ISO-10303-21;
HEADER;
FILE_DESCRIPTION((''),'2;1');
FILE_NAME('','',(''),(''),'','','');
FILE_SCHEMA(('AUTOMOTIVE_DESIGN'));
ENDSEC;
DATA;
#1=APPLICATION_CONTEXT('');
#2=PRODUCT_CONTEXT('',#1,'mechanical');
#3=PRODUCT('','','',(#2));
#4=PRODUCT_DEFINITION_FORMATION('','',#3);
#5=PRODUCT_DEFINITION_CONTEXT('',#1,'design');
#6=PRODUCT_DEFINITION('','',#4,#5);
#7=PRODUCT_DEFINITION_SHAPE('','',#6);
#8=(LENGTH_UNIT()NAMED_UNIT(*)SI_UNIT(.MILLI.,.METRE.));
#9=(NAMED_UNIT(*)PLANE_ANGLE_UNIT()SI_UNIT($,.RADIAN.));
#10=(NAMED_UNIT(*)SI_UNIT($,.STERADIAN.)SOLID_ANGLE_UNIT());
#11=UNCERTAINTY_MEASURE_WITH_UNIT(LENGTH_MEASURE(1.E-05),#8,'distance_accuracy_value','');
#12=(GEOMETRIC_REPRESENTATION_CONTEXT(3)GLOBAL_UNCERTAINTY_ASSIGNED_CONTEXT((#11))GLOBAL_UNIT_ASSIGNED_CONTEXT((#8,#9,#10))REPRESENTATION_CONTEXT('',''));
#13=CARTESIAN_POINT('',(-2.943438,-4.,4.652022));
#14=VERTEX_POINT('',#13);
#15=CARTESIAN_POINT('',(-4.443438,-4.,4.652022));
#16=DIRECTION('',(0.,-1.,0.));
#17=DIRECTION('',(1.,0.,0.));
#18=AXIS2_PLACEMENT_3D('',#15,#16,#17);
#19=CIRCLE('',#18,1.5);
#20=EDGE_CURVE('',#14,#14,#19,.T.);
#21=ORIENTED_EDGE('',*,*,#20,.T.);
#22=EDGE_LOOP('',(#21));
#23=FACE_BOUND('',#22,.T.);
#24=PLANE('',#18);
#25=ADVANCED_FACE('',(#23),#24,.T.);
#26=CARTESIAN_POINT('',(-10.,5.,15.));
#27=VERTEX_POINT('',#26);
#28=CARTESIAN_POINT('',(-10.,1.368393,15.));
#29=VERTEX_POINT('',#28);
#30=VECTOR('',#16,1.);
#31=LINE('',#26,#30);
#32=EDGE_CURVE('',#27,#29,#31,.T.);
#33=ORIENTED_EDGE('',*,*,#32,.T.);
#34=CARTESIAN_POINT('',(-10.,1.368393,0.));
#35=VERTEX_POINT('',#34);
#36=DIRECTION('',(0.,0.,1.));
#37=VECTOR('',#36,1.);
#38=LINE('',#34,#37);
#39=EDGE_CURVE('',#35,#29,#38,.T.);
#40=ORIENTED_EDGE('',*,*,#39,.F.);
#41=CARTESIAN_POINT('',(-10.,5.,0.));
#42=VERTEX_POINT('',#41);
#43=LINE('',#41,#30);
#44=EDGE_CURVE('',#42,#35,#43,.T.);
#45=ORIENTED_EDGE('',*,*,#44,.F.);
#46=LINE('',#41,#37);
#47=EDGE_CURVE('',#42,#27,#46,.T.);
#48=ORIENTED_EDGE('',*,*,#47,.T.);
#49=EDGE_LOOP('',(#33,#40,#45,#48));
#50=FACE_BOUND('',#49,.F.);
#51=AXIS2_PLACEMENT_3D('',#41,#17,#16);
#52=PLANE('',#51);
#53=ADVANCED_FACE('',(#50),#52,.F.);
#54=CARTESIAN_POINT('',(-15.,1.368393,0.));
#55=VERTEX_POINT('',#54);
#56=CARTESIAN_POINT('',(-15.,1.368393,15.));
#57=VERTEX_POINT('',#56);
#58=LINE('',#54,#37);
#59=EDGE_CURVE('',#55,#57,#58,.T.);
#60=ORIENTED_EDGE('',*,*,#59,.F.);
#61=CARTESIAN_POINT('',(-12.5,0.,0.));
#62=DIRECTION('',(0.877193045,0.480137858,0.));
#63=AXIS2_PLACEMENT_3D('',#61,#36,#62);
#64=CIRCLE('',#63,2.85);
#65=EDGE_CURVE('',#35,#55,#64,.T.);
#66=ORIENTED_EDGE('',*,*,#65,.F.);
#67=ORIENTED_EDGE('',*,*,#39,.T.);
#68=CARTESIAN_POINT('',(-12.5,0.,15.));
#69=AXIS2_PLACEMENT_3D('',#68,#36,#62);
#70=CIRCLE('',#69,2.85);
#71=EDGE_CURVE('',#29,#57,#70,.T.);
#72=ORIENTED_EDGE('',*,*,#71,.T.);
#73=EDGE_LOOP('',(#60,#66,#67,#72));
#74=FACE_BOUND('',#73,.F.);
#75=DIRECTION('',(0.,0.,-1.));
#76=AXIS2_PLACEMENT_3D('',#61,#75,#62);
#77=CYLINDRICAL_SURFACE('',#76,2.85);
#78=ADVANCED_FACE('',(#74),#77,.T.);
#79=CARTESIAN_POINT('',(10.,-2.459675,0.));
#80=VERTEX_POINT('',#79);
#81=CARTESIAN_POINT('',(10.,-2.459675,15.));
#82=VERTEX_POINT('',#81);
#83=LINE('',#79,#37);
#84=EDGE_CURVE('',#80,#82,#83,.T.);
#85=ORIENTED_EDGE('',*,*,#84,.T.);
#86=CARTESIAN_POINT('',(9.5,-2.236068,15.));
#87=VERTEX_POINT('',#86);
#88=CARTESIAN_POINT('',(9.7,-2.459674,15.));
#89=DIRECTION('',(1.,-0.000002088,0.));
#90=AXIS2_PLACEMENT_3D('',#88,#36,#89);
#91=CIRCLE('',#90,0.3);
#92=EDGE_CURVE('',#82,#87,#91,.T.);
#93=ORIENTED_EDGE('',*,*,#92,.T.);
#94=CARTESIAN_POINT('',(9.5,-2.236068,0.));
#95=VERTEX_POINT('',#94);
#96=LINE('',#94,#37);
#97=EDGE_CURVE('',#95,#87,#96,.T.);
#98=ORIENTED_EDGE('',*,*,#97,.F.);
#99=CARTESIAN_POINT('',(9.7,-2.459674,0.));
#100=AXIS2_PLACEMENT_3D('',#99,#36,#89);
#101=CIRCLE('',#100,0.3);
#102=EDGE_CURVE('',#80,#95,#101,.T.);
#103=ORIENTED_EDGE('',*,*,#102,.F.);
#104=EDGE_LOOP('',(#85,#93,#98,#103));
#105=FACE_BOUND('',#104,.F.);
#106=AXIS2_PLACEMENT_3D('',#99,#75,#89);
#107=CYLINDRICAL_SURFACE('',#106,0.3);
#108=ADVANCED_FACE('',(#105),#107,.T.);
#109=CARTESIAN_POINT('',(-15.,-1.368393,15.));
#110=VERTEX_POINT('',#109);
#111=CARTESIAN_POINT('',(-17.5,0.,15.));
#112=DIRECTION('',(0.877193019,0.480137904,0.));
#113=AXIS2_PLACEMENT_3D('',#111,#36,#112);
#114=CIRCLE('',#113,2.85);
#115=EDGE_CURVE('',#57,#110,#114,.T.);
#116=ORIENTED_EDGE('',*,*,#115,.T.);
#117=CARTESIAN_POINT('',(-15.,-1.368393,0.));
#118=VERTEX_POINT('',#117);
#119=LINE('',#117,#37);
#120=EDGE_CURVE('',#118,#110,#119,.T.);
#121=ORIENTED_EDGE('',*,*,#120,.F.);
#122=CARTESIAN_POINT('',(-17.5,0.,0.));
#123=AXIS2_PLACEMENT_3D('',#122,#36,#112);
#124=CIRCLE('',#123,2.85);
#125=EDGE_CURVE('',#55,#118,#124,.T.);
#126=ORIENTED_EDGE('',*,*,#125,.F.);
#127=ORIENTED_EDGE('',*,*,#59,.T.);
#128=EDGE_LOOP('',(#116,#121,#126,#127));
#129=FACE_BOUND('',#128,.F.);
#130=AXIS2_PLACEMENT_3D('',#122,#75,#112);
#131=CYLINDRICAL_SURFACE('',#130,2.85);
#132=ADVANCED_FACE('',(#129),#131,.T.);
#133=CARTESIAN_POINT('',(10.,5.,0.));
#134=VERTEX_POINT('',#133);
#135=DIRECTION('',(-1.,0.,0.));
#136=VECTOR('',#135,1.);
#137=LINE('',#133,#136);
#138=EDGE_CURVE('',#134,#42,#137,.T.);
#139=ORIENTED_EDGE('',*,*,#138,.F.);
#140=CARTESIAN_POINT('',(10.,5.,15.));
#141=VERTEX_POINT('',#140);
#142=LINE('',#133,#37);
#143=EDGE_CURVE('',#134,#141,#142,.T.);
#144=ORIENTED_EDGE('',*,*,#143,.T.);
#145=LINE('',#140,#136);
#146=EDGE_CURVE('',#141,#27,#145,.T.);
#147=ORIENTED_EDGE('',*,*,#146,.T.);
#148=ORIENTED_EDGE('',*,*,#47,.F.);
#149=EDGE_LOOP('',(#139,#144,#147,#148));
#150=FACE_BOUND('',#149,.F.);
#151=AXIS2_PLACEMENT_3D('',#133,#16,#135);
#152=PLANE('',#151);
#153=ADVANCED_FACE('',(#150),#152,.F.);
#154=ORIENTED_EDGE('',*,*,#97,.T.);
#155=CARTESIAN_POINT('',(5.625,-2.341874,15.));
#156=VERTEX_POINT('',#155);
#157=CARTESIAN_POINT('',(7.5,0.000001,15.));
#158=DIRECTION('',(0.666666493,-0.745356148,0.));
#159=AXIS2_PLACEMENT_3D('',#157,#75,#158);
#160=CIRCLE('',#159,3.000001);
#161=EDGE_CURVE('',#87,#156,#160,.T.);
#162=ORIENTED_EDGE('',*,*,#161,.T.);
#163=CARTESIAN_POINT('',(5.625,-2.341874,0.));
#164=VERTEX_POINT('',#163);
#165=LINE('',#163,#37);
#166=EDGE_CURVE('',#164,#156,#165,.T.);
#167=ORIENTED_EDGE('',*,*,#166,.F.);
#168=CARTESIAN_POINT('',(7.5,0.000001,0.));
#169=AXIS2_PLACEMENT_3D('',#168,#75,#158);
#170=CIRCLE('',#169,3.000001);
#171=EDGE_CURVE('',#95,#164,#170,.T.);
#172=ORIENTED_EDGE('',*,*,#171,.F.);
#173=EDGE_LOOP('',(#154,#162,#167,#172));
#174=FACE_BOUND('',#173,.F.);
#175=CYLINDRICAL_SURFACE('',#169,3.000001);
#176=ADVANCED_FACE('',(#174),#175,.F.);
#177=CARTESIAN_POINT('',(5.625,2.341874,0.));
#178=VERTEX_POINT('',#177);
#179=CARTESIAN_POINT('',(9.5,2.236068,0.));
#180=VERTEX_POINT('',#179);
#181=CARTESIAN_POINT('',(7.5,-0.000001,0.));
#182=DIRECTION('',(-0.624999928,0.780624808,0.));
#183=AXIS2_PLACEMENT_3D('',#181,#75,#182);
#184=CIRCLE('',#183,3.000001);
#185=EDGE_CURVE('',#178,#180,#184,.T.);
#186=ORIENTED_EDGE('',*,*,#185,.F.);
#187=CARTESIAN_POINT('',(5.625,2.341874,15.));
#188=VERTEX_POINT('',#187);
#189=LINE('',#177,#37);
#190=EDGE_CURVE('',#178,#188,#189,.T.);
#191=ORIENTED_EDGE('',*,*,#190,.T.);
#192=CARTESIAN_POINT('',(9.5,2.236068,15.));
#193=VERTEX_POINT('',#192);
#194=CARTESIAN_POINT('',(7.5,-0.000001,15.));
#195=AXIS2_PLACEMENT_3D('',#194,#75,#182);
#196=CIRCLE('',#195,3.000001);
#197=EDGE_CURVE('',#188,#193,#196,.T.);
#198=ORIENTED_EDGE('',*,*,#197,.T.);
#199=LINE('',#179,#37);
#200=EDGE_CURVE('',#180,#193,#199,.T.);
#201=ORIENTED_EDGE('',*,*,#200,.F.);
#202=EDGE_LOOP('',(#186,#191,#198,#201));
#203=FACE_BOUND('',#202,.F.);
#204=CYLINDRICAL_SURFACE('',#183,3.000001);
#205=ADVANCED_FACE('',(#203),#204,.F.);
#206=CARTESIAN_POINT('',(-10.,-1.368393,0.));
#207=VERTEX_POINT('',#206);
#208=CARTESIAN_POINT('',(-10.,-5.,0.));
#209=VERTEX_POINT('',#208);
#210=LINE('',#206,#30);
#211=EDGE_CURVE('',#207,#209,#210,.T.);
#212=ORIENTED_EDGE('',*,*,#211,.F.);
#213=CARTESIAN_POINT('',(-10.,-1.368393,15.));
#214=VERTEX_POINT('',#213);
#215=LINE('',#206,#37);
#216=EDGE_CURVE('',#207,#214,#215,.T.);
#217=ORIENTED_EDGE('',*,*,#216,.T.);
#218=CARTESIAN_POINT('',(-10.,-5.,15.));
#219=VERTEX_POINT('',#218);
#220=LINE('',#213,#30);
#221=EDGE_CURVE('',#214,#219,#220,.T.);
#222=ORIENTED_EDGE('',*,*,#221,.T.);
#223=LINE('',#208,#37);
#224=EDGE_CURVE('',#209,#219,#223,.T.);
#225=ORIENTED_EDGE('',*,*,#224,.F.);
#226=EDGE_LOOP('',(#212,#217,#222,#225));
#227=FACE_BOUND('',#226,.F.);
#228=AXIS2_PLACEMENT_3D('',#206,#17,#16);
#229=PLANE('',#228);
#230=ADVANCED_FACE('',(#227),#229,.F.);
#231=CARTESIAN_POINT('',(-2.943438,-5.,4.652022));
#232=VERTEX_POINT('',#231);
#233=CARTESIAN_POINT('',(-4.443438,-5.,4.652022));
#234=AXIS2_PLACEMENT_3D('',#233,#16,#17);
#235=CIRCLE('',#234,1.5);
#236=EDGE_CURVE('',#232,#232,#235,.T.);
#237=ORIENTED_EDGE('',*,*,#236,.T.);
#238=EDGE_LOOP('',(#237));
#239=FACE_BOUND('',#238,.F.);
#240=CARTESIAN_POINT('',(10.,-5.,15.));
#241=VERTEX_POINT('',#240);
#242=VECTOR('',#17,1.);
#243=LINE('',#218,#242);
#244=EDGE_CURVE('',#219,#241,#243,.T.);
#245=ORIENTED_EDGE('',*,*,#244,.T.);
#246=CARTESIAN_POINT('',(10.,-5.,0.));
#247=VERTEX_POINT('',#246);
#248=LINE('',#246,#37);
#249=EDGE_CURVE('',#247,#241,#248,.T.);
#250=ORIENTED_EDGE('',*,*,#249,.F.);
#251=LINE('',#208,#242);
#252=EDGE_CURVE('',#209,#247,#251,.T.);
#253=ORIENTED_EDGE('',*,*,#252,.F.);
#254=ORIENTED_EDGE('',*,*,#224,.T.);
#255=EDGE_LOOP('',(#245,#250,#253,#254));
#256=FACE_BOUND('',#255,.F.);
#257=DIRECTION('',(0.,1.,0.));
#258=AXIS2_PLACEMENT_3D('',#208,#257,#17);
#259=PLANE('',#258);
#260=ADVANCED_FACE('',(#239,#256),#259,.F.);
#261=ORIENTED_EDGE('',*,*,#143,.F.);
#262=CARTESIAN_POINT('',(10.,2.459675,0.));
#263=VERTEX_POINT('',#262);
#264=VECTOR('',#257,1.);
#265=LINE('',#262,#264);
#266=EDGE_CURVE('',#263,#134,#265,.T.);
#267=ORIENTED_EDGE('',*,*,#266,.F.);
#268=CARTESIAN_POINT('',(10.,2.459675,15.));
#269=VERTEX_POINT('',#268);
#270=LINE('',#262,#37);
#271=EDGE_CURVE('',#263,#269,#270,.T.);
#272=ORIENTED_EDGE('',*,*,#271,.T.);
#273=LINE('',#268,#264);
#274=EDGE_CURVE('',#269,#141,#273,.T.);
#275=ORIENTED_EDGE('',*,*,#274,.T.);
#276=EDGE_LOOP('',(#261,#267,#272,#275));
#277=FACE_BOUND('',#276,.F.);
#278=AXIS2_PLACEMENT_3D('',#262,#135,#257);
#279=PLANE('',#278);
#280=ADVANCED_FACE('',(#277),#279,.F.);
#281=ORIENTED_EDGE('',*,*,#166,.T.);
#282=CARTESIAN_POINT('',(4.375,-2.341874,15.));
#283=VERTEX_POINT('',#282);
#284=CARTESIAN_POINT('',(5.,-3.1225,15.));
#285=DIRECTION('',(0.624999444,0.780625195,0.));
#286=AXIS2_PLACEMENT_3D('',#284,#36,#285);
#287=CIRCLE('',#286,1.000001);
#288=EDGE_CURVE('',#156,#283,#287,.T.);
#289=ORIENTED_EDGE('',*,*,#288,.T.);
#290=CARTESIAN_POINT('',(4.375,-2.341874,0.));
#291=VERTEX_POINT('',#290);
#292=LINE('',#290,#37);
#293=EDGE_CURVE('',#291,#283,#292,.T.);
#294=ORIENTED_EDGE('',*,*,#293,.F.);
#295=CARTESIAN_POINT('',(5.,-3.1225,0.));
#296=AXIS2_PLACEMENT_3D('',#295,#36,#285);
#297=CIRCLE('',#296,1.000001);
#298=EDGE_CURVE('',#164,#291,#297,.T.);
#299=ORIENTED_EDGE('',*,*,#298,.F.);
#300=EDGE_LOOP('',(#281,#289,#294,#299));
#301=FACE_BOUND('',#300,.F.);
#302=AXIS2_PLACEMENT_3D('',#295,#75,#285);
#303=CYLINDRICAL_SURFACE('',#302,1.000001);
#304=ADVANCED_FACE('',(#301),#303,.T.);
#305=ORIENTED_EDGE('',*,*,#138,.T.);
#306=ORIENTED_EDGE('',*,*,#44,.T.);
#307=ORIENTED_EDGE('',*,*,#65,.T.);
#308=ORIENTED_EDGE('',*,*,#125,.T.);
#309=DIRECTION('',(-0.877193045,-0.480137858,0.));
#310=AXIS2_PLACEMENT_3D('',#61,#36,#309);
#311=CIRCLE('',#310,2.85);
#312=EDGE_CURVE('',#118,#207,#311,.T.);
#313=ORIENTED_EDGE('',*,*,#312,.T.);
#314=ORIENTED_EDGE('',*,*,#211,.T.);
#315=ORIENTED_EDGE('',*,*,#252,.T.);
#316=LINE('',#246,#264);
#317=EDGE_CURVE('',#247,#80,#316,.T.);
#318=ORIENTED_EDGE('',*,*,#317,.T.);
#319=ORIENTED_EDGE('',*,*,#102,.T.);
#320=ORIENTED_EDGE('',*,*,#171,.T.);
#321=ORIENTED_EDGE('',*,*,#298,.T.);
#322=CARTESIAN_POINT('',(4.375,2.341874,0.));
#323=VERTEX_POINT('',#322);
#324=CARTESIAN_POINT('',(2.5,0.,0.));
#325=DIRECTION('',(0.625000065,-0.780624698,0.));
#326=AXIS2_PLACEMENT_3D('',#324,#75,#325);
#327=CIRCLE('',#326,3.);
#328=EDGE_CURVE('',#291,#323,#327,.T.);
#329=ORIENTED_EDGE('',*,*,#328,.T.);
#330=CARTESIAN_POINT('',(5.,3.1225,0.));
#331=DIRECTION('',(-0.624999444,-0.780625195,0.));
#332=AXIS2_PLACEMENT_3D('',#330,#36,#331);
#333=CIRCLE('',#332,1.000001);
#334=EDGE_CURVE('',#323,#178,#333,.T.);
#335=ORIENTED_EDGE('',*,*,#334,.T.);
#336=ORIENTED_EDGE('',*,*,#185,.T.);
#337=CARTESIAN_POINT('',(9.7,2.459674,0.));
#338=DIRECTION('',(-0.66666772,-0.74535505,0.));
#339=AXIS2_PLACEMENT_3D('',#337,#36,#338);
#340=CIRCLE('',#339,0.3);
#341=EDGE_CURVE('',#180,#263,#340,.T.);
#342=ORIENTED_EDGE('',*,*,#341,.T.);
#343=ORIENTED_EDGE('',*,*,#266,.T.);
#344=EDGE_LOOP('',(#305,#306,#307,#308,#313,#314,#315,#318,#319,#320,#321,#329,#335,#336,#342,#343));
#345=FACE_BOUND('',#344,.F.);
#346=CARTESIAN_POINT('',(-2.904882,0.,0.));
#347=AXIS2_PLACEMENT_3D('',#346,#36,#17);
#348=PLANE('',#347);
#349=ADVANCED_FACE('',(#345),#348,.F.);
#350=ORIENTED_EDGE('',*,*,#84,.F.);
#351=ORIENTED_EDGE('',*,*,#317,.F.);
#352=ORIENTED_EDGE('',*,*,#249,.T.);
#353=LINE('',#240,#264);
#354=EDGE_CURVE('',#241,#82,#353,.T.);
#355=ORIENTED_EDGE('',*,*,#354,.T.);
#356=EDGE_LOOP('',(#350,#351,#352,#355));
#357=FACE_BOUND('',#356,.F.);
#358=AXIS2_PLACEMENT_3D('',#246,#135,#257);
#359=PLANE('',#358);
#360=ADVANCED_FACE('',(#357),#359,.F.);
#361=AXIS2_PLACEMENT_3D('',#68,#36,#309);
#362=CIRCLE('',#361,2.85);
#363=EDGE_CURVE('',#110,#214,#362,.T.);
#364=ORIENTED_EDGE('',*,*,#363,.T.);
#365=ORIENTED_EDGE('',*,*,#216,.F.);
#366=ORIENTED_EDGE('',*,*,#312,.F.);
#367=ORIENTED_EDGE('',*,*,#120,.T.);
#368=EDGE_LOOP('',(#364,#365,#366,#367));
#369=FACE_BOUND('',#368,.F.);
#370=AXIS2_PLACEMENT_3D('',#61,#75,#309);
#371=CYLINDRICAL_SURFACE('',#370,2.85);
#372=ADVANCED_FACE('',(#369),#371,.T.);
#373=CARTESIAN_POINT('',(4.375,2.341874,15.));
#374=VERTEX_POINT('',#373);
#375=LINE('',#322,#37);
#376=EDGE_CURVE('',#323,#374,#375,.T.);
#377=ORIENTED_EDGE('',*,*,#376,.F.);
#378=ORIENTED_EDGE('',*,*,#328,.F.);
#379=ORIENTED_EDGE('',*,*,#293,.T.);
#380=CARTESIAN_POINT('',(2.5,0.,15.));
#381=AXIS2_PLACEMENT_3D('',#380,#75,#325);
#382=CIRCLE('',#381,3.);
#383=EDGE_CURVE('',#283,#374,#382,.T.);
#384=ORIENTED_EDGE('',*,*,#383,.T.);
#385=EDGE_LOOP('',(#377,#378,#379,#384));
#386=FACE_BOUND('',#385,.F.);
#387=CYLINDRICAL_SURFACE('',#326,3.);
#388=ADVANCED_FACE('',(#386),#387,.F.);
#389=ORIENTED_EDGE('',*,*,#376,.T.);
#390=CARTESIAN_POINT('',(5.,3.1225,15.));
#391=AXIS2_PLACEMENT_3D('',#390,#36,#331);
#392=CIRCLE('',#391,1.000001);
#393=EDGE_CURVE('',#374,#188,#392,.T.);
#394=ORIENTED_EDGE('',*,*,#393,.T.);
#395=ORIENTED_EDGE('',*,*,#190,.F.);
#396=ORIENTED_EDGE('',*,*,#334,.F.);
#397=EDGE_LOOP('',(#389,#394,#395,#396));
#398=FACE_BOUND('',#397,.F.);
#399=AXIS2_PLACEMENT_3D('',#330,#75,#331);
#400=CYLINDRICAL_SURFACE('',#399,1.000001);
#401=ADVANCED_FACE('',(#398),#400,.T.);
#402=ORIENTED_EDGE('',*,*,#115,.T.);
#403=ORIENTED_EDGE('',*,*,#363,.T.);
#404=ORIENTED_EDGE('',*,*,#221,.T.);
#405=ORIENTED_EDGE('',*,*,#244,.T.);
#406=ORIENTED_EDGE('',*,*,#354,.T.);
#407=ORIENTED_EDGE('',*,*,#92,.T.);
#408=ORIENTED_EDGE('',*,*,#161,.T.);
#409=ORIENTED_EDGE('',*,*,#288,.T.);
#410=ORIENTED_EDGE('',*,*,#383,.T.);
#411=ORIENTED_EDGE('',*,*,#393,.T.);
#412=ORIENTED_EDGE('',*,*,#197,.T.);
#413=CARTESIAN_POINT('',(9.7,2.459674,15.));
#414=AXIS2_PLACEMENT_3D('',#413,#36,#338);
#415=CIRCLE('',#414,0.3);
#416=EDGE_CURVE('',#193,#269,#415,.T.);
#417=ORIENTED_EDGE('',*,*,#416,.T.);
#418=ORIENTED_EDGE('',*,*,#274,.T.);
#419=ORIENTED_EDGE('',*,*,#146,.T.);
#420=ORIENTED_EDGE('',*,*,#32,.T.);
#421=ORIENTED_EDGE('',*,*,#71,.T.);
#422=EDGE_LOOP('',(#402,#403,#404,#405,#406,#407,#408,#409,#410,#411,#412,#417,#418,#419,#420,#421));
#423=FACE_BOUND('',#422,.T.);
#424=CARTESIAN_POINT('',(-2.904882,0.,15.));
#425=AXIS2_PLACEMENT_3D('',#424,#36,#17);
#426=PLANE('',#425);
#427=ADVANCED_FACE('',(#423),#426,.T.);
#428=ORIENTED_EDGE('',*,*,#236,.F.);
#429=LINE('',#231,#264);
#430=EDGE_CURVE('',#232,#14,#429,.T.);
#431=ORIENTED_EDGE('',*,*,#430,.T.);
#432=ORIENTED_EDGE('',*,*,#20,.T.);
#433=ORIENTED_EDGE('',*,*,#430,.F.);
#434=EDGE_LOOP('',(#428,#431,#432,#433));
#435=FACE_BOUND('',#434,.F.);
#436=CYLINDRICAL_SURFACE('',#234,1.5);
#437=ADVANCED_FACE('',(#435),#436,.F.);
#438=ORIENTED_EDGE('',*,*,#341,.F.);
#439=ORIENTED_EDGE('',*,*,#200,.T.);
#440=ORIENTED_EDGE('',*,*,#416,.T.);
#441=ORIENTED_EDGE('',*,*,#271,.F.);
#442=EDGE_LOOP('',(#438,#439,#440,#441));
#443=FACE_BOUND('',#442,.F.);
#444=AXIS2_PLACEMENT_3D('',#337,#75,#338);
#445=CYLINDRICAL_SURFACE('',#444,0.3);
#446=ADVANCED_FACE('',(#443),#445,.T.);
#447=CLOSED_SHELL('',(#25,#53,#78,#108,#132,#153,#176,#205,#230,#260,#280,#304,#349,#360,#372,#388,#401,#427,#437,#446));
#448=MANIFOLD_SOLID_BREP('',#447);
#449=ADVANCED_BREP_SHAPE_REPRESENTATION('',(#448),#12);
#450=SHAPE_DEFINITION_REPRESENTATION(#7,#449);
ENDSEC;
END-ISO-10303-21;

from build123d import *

# Parameters (mm, degrees)
F1_DEPTH = 15
F2_R     = 1.5
F3_DEPTH = 1


with BuildPart() as f1:
    # F0 (on Top) → F1 (new body)
    with BuildSketch(Plane.XY):
        with BuildLine():
            Line((-10, -5), (10, -5))
            Line((10, -5), (10, -2.459675))
            ThreePointArc((10, -2.459675), (9.822474, -2.185813), (9.5, -2.236068))
            ThreePointArc((9.5, -2.236068), (7.581884, -2.998882), (5.625, -2.341874))
            ThreePointArc((5.625, -2.341874), (5, -2.122499), (4.375, -2.341874))
            ThreePointArc((4.375, -2.341874), (-0.5, 0), (4.375, 2.341874))
            ThreePointArc((4.375, 2.341874), (5, 2.122499), (5.625, 2.341874))
            ThreePointArc((5.625, 2.341874), (7.581884, 2.998882), (9.5, 2.236068))
            ThreePointArc((9.5, 2.236068), (9.822474, 2.185813), (10, 2.459675))
            Line((10, 2.459675), (10, 5))
            Line((10, 5), (-10, 5))
            Line((-10, 5), (-10, 1.368393))
            ThreePointArc((-10, 1.368393), (-12.5, 2.85), (-15, 1.368393))
            ThreePointArc((-15, 1.368393), (-20.35, 0), (-15, -1.368393))
            ThreePointArc((-15, -1.368393), (-12.5, -2.85), (-10, -1.368393))
            Line((-10, -1.368393), (-10, -5))
        make_face()
    extrude(amount=F1_DEPTH)

    # F2 (on face) → F3 (cut)
    with BuildSketch(Plane.XZ.offset(5)):
        with Locations((-4.443438, 4.652022)):
            Circle(F2_R)
    extrude(amount=-F3_DEPTH, mode=Mode.SUBTRACT)


solid = f1.part
